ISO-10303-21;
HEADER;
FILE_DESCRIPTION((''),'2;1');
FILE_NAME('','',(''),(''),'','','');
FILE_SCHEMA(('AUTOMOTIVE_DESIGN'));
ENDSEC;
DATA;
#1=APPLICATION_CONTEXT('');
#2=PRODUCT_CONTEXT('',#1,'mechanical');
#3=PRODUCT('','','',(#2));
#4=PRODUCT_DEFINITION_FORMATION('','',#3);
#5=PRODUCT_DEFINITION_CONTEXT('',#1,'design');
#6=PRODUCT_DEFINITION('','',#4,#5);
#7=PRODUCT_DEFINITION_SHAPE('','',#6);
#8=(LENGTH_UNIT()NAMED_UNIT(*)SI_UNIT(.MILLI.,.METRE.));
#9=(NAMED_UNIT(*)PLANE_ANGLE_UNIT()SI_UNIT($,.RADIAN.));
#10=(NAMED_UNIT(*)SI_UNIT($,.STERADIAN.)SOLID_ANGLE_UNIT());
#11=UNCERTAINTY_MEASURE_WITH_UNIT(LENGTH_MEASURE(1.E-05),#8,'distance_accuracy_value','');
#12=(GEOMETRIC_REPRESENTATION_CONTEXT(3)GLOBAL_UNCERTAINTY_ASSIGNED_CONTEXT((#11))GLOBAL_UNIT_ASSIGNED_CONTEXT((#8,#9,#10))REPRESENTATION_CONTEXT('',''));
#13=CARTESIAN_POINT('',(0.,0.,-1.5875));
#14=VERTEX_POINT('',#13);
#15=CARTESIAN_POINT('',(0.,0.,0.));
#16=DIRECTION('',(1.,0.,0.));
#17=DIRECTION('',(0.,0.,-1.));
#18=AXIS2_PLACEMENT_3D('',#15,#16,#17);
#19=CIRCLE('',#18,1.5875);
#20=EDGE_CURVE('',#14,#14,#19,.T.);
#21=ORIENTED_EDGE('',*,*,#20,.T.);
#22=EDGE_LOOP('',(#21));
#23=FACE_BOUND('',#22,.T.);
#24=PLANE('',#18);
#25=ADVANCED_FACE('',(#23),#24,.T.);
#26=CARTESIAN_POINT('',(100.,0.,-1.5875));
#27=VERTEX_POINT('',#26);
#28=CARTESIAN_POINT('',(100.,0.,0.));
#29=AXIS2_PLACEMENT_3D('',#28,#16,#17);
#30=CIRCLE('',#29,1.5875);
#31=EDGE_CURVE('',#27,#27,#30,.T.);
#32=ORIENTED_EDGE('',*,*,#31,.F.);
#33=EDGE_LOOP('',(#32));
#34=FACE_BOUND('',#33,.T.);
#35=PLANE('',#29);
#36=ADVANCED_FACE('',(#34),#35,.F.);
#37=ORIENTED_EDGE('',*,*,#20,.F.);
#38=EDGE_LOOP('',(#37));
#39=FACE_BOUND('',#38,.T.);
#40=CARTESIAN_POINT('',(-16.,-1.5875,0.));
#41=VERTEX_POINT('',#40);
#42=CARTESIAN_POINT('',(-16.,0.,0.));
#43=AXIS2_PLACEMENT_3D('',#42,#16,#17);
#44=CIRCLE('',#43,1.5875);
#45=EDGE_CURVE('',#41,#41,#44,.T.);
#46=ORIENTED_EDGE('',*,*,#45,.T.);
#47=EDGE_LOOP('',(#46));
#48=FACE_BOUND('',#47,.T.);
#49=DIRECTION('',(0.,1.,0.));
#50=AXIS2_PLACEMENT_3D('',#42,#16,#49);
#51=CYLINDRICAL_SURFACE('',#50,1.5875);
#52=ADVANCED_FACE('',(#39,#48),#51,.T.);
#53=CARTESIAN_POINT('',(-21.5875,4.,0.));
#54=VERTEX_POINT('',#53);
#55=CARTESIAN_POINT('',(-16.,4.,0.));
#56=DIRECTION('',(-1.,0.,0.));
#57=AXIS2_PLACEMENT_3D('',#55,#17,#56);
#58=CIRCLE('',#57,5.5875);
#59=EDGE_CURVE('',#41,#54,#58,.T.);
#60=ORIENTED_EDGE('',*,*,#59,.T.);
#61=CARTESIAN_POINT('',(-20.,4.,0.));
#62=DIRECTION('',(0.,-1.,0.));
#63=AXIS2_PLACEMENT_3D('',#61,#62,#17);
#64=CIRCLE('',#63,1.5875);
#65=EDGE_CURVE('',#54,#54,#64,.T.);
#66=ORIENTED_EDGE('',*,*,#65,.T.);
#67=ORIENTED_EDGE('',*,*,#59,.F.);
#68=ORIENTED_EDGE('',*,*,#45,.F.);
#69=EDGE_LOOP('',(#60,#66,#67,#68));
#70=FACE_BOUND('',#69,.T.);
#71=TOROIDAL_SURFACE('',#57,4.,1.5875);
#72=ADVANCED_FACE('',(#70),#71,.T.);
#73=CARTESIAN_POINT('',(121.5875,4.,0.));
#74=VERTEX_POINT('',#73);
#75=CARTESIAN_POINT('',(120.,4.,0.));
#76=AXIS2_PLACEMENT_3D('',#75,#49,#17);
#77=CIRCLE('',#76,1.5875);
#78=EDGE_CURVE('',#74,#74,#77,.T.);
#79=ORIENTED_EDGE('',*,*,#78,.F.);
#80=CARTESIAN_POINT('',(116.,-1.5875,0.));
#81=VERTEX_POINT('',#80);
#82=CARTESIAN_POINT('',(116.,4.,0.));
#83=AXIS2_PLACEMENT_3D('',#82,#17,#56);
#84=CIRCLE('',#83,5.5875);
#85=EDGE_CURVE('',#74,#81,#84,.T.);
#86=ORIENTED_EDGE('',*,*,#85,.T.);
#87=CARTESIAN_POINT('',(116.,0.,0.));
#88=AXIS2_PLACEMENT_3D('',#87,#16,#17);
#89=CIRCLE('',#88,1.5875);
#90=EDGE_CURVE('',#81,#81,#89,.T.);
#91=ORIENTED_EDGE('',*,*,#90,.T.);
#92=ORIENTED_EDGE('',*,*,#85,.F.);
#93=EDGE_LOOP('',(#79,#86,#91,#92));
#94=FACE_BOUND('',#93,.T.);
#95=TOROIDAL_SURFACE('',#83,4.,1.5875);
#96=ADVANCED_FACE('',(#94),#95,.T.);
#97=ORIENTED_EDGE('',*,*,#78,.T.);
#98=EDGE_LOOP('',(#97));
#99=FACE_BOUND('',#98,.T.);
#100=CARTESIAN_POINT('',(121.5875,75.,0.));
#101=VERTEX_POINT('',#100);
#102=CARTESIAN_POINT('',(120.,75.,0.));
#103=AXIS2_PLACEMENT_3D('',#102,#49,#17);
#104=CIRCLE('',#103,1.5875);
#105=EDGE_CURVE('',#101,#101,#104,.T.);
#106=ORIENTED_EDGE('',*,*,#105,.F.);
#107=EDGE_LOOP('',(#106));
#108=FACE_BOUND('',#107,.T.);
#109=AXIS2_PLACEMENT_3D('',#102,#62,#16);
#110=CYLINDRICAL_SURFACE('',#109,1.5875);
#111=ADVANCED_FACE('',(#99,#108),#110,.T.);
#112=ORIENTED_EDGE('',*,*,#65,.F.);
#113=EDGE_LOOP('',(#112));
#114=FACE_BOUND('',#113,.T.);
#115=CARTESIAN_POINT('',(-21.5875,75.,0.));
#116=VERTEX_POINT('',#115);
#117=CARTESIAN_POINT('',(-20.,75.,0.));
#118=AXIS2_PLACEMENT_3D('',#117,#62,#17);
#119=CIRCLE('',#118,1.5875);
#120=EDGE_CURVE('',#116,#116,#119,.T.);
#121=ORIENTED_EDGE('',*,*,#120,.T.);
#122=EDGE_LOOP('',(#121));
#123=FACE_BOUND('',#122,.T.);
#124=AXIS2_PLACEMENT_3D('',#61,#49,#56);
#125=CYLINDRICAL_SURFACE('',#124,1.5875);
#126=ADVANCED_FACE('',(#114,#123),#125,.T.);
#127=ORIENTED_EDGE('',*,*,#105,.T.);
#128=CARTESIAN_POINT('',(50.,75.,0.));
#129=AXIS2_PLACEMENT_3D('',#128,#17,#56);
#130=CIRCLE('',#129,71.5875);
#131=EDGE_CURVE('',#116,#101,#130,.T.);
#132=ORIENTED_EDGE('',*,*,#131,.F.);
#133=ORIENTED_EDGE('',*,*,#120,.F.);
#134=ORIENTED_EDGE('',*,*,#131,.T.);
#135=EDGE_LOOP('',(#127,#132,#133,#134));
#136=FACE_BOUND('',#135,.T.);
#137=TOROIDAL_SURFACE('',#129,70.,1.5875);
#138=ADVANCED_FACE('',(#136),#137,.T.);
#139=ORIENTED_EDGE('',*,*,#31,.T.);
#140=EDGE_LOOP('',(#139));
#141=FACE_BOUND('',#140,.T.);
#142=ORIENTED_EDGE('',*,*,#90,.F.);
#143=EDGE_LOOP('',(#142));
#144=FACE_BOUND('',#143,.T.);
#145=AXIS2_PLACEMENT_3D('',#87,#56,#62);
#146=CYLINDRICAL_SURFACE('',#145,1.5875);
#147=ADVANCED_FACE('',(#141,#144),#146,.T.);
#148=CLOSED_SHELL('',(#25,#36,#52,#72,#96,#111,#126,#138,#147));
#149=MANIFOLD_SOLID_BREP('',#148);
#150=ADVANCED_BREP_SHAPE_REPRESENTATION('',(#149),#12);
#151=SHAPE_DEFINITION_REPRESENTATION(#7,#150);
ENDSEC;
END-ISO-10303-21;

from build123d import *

# Parameters (mm, degrees)
SKETCH2_R = 1.5875


with BuildPart() as part:
    # Sweep1: sweep along a path in Sketch1
    with BuildLine(Plane.XY) as sweep1_path:
        Line((0, 0), (-16, 0))
        ThreePointArc((-16, 0), (-18.828427125, 1.171572875), (-20, 4))
        Line((-20, 4), (-20, 75))
        ThreePointArc((-20, 75), (50, 145), (120, 75))
        Line((120, 75), (120, 4))
        ThreePointArc((120, 4), (118.828427125, 1.171572875), (116, 0))
        Line((116, 0), (100, 0))
    # Sketch2 → Sweep1 (sweep)
    with BuildSketch(Plane(origin=(0, 0, 0), x_dir=(0, 0, -1), z_dir=(1, 0, 0))):
        Circle(SKETCH2_R)
    sweep(path=sweep1_path.line)


solid = part.part
